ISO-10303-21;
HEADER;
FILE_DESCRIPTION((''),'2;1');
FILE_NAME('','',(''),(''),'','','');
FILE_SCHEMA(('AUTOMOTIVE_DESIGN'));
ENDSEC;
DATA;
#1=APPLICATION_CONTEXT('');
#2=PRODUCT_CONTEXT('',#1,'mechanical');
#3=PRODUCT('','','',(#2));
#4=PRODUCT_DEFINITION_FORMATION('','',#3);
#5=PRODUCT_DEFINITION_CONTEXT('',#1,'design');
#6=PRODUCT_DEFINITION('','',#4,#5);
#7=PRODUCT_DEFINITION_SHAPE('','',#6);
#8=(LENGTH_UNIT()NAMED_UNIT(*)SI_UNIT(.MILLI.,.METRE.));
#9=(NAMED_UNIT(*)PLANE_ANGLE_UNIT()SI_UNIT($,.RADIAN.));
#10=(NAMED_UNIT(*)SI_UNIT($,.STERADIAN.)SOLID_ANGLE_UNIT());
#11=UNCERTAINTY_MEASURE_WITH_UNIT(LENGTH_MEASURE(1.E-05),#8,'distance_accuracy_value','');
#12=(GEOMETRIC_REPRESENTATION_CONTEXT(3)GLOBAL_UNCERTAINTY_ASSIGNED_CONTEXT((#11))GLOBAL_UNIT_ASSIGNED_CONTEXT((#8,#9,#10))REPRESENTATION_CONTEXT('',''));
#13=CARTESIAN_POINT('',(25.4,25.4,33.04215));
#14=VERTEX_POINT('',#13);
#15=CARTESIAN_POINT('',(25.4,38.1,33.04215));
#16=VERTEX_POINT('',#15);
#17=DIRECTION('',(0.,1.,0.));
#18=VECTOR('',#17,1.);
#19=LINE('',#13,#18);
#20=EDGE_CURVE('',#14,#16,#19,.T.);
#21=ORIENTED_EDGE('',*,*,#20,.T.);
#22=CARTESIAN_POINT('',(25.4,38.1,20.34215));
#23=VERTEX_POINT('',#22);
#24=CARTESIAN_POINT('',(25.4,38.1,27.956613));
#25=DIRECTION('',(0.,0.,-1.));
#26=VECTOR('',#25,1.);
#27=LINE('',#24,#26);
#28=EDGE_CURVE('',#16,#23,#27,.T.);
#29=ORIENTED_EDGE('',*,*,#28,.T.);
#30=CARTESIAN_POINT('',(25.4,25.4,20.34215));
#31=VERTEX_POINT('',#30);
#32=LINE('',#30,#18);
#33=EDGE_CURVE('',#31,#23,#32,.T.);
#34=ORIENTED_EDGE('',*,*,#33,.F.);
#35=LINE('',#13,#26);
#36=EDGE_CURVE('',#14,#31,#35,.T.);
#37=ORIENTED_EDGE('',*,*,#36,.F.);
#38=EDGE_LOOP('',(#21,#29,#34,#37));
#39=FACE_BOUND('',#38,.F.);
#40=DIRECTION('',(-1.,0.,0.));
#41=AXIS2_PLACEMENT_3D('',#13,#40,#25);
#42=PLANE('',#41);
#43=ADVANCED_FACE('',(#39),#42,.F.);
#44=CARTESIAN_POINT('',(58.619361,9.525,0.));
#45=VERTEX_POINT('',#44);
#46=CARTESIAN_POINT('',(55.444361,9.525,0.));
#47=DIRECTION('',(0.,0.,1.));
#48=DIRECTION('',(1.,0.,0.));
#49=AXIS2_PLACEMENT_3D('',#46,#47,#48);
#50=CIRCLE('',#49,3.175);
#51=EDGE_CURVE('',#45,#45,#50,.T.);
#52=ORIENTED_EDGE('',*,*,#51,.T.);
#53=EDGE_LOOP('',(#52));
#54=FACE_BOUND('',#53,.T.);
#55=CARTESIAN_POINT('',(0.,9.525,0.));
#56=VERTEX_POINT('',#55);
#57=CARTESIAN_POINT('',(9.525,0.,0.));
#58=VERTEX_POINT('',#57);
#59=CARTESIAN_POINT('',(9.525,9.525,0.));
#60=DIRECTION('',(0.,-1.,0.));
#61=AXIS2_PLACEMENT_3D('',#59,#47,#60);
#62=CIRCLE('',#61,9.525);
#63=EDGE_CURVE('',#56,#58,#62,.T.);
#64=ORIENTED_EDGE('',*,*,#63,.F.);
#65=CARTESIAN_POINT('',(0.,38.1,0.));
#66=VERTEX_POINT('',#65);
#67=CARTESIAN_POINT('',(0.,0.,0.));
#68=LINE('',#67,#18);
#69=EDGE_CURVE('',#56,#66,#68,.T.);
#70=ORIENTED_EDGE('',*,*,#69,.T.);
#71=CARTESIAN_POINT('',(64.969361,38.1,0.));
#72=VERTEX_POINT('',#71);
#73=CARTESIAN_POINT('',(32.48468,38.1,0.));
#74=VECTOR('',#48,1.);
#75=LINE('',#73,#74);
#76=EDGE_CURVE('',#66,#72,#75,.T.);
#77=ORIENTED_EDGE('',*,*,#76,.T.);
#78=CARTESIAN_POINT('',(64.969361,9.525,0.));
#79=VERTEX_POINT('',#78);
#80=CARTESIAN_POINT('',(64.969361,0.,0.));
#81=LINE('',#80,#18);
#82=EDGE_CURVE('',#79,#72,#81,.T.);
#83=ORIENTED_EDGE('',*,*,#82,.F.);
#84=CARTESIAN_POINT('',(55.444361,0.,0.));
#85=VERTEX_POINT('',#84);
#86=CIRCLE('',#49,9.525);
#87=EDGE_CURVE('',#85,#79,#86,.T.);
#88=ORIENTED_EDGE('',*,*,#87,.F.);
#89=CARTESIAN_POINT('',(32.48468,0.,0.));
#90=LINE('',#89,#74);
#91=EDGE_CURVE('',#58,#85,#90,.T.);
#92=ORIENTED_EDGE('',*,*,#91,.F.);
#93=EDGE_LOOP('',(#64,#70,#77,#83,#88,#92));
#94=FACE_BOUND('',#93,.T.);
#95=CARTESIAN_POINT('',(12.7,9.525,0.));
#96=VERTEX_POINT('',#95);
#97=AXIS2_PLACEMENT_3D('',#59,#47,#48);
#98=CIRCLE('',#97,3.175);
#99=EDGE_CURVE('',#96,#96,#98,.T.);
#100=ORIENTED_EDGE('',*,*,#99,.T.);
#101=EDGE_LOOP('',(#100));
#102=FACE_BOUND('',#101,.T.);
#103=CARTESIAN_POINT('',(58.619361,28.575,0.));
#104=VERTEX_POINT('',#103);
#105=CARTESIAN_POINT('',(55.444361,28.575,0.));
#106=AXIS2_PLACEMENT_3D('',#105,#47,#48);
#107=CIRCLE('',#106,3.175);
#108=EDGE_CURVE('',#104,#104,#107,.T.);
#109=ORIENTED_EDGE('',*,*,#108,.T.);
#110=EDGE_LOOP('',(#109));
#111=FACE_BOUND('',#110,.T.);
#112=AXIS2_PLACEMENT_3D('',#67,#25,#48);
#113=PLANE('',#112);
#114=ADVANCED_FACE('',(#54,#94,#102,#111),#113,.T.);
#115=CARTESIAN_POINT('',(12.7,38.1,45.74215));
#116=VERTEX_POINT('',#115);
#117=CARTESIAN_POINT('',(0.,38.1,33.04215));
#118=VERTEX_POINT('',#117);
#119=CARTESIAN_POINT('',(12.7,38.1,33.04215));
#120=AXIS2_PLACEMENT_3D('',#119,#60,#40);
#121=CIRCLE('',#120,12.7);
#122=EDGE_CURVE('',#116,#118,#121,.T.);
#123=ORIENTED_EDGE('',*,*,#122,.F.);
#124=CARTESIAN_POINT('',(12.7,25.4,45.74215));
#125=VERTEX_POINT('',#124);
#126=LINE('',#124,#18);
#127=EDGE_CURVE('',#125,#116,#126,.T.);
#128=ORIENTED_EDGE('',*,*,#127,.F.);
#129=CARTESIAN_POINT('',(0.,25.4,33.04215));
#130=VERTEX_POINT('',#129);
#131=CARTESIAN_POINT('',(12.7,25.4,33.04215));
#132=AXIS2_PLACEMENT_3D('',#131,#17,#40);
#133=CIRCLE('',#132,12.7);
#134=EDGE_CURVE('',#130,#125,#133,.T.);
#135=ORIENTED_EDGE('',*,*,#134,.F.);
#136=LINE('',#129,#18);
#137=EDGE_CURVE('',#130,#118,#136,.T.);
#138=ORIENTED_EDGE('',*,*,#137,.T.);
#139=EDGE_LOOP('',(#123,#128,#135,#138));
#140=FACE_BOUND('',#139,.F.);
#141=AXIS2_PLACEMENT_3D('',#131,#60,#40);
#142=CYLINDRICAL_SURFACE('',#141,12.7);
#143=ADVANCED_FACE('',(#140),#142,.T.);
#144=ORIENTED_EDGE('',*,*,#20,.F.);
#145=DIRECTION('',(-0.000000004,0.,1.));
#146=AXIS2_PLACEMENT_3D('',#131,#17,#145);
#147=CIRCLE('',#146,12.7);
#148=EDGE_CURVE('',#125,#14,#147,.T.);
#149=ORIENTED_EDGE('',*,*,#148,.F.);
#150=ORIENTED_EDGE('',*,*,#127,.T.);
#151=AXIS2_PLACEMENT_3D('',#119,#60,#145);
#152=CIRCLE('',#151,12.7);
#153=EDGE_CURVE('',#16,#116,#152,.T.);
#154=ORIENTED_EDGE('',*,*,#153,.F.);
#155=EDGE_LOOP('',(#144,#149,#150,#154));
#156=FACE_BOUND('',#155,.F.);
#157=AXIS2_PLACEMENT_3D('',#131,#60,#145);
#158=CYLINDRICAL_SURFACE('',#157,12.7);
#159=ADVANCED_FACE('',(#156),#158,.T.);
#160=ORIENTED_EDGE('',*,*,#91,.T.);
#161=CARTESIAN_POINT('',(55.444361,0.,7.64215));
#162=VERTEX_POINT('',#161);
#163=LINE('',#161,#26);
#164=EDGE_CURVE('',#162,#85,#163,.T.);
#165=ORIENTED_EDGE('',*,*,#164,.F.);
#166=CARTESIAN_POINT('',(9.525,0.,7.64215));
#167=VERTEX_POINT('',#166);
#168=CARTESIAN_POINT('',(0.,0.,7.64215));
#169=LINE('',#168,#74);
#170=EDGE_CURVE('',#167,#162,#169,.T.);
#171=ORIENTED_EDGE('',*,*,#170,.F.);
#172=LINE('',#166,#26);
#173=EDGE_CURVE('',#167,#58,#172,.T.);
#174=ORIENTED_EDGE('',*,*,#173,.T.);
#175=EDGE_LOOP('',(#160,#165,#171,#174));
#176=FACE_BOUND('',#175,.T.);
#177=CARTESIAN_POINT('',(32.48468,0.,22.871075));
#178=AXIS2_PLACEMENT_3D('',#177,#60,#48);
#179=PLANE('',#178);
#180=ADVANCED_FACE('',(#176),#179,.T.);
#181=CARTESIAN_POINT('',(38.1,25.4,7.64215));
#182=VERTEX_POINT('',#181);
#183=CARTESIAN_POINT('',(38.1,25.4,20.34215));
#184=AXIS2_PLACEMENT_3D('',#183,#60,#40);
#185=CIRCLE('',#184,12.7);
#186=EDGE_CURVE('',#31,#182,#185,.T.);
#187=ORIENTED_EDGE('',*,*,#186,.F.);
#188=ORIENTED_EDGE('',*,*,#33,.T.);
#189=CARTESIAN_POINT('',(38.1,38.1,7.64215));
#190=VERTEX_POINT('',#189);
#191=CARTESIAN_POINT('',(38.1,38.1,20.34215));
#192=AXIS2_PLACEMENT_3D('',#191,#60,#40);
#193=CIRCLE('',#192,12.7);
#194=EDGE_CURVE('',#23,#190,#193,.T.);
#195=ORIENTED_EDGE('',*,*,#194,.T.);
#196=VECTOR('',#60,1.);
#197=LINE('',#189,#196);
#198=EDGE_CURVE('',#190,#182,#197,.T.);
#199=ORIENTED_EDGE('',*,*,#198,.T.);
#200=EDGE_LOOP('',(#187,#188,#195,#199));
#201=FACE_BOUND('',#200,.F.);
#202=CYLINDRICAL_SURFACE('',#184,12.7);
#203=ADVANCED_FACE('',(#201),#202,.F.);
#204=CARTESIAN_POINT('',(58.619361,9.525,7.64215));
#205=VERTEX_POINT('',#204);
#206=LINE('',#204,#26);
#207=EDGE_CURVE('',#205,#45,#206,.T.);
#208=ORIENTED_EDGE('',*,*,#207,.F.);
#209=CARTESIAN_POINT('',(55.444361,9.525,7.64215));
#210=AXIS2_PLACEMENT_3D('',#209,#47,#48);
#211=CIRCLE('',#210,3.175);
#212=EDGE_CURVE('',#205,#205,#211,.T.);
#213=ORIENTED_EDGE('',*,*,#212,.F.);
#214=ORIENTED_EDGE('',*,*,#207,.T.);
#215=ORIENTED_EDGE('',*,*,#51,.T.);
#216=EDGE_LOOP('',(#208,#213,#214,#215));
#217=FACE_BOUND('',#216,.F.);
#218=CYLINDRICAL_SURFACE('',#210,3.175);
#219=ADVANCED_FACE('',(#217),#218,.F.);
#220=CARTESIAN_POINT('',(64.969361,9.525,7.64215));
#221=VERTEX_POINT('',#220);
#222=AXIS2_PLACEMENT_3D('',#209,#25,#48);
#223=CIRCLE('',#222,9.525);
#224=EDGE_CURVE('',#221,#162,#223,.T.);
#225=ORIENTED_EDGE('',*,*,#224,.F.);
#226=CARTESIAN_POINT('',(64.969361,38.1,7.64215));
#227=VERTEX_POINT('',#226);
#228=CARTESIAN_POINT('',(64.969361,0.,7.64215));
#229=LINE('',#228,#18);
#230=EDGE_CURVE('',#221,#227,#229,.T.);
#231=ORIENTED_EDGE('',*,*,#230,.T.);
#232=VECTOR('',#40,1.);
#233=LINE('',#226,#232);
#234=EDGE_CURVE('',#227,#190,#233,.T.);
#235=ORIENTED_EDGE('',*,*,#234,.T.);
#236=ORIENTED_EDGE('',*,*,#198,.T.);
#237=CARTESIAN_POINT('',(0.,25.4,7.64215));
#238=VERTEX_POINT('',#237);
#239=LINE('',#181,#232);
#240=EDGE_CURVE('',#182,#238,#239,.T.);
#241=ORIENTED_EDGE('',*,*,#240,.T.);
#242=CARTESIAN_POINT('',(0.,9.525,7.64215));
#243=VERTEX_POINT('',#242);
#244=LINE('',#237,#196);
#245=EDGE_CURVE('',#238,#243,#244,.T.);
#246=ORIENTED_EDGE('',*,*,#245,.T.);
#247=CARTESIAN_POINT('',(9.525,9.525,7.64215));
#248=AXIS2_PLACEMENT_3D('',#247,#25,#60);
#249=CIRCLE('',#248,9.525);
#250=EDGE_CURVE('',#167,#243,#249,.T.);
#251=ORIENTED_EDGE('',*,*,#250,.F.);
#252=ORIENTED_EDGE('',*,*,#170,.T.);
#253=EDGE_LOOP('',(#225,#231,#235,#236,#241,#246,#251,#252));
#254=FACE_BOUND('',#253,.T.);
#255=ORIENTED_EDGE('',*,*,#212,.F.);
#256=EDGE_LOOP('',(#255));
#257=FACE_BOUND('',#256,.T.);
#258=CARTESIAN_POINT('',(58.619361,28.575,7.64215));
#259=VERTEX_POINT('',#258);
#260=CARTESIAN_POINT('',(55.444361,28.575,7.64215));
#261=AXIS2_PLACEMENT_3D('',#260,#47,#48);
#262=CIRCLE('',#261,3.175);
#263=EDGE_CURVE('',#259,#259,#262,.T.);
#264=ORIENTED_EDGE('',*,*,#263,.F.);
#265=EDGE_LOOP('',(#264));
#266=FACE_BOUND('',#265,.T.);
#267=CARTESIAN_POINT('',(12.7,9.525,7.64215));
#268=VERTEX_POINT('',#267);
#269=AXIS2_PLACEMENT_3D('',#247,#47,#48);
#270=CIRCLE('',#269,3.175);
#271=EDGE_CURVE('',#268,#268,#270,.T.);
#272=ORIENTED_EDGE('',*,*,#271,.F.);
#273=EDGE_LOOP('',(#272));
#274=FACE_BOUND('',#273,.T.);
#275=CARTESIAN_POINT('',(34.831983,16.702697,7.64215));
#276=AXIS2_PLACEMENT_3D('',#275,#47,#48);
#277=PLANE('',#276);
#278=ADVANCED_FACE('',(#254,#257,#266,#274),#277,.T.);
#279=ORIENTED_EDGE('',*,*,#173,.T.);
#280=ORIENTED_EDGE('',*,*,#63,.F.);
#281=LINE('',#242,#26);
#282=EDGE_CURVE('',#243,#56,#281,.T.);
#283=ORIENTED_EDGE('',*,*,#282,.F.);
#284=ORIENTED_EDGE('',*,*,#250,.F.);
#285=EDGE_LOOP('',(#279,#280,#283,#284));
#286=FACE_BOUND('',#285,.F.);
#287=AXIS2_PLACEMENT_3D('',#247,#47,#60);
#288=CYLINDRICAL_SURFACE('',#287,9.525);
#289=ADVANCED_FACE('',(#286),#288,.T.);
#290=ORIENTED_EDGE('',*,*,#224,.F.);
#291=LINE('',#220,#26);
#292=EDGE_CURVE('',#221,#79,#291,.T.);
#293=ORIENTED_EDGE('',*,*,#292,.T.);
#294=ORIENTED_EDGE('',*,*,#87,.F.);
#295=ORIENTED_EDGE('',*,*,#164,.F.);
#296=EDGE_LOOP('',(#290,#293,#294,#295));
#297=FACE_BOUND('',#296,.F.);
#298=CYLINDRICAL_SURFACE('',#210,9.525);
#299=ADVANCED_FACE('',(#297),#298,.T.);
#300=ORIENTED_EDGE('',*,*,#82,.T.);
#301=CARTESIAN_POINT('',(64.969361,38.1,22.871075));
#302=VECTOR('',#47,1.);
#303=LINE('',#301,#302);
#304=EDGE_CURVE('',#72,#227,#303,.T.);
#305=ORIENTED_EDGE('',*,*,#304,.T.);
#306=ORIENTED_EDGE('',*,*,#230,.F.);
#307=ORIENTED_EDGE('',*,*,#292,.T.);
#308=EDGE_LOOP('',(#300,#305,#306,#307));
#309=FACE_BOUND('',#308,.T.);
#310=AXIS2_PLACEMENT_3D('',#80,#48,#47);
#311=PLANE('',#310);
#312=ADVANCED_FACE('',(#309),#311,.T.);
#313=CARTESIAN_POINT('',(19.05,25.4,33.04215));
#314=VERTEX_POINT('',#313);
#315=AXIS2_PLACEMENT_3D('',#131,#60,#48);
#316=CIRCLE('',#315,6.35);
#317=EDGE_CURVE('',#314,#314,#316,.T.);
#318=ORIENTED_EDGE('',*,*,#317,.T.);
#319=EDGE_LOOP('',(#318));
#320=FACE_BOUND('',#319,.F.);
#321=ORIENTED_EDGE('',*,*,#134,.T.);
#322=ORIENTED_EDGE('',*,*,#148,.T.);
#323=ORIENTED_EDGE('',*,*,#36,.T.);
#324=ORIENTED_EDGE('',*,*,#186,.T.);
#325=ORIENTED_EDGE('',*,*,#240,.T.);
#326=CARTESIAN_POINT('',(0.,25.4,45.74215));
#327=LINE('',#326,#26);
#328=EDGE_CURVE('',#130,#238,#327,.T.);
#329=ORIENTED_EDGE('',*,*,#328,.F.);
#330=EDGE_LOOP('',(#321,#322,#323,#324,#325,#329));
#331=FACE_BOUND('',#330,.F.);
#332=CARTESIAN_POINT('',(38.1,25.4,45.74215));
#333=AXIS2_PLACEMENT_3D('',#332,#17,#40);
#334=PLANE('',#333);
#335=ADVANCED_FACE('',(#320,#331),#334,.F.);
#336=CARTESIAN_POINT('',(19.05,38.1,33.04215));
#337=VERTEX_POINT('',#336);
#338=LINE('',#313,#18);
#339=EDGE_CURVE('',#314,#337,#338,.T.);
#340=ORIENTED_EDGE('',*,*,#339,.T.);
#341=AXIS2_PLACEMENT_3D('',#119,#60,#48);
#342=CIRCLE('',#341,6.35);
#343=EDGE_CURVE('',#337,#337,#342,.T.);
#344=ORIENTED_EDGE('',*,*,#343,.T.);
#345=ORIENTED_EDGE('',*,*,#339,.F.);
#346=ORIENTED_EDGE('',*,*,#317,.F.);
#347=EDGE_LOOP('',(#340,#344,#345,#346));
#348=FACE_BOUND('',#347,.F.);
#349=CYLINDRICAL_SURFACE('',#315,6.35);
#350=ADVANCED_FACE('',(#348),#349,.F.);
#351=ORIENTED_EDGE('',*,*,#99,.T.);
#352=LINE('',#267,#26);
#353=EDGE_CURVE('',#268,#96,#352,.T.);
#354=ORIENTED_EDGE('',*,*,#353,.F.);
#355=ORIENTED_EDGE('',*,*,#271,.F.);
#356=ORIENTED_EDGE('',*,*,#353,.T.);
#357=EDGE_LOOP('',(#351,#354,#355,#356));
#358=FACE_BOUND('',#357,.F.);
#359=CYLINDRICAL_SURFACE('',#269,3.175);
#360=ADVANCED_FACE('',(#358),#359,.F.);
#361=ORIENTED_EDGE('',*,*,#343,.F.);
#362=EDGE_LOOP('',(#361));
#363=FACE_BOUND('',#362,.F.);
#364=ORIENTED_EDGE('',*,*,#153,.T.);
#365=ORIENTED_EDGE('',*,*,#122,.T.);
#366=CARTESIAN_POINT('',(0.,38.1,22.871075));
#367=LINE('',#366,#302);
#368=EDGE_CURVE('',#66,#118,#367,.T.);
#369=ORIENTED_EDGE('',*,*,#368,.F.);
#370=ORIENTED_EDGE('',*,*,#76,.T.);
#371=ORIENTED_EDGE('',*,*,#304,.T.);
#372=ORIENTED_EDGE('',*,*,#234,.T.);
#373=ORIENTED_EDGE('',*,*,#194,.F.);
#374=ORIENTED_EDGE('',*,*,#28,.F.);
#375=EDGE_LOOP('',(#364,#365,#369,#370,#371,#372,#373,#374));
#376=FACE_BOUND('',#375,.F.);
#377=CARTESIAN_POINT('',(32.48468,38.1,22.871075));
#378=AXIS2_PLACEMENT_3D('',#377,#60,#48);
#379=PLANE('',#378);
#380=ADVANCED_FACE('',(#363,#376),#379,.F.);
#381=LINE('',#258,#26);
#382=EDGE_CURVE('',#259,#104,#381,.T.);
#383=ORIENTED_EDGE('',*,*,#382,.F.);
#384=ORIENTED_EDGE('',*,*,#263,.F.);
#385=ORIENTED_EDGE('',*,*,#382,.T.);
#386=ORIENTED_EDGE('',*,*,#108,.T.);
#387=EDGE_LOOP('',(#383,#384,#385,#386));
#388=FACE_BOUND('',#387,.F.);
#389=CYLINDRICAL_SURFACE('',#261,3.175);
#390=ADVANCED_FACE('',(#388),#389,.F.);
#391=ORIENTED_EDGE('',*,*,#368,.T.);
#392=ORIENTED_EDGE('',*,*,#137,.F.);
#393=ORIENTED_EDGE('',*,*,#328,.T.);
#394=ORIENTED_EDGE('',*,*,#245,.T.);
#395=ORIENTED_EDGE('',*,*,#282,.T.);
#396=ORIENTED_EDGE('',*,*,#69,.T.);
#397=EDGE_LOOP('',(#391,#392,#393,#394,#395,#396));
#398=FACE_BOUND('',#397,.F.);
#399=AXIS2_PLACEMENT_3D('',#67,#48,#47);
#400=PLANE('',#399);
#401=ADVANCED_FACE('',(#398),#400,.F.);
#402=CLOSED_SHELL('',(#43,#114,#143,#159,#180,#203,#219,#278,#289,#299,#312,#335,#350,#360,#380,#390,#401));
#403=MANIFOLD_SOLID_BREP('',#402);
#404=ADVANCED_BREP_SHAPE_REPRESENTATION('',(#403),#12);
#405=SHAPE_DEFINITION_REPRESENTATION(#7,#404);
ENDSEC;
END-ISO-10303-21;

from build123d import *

# Parameters (mm, degrees)
F0_W     = 64.9693608284
F0_H     = 45.7421503961
F1_DEPTH = 38.1
F3_DEPTH = 38.1
F4_R     = 6.35
F5_DEPTH = 25.4
F6_R     = 3.175
F7_DEPTH = 25.4


with BuildPart() as f1:
    # F0 (on Front) → F1 (new body)
    with BuildSketch(Plane.XZ):
        with Locations((32.4846804142, 22.8710751981)):
            Rectangle(F0_W, F0_H)
    extrude(amount=-F1_DEPTH)

    # F2 (on face) → F3 (cut)
    with BuildSketch(Plane.XY.offset(45.7421503961)):
        Polygon((38.1, 25.4), (0, 25.4), (0, 0), (64.9693608284, 0), (64.9693608284, 38.1), (38.1, 38.1), align=None)
    extrude(amount=-F3_DEPTH, mode=Mode.SUBTRACT)

    # F4 (on face) → F5 (cut)
    with BuildSketch(Plane.XZ.offset(-25.4)):
        with Locations((12.7, 33.0421503961)):
            Circle(F4_R)
        with BuildLine():
            ThreePointArc((12.6999999513, 45.7421503961), (21.6802561039, 42.0224065344), (25.4, 33.0421503961))
            Line((25.4, 33.0421503961), (25.4, 20.3421503961))
            ThreePointArc((25.4, 20.3421503961), (29.1197438789, 11.361894275), (38.1, 7.6421503961))
            Line((38.1, 7.6421503961), (38.1, 45.7421503961))
            Line((38.1, 45.7421503961), (12.6999999513, 45.7421503961))
        make_face()
        with BuildLine():
            ThreePointArc((0, 33.0421503961), (3.7197438617, 42.0224065), (12.6999999513, 45.7421503961))
            Line((12.6999999513, 45.7421503961), (0, 45.7421503961))
            Line((0, 45.7421503961), (0, 33.0421503961))
        make_face()
    extrude(amount=-F5_DEPTH, mode=Mode.SUBTRACT)

    # F6 (on face) → F7 (cut)
    with BuildSketch(Plane.XY.offset(7.6421503961)):
        with Locations((9.525, 9.525)):
            Circle(F6_R)
        with Locations((55.4443608284, 9.525)):
            Circle(F6_R)
        with Locations((55.4443608284, 28.575)):
            Circle(F6_R)
        with BuildLine():
            ThreePointArc((64.9693608284, 9.525), (62.1795529192, 2.7898079092), (55.4443608284, 0))
            Line((55.4443608284, 0), (64.9693608284, 0))
            Line((64.9693608284, 0), (64.9693608284, 9.525))
        make_face()
        with BuildLine():
            ThreePointArc((9.525, 0), (2.7898079092, 2.7898079092), (0, 9.525))
            Line((0, 9.525), (0, 0))
            Line((0, 0), (9.525, 0))
        make_face()
    extrude(amount=-F7_DEPTH, mode=Mode.SUBTRACT)


solid = f1.part
